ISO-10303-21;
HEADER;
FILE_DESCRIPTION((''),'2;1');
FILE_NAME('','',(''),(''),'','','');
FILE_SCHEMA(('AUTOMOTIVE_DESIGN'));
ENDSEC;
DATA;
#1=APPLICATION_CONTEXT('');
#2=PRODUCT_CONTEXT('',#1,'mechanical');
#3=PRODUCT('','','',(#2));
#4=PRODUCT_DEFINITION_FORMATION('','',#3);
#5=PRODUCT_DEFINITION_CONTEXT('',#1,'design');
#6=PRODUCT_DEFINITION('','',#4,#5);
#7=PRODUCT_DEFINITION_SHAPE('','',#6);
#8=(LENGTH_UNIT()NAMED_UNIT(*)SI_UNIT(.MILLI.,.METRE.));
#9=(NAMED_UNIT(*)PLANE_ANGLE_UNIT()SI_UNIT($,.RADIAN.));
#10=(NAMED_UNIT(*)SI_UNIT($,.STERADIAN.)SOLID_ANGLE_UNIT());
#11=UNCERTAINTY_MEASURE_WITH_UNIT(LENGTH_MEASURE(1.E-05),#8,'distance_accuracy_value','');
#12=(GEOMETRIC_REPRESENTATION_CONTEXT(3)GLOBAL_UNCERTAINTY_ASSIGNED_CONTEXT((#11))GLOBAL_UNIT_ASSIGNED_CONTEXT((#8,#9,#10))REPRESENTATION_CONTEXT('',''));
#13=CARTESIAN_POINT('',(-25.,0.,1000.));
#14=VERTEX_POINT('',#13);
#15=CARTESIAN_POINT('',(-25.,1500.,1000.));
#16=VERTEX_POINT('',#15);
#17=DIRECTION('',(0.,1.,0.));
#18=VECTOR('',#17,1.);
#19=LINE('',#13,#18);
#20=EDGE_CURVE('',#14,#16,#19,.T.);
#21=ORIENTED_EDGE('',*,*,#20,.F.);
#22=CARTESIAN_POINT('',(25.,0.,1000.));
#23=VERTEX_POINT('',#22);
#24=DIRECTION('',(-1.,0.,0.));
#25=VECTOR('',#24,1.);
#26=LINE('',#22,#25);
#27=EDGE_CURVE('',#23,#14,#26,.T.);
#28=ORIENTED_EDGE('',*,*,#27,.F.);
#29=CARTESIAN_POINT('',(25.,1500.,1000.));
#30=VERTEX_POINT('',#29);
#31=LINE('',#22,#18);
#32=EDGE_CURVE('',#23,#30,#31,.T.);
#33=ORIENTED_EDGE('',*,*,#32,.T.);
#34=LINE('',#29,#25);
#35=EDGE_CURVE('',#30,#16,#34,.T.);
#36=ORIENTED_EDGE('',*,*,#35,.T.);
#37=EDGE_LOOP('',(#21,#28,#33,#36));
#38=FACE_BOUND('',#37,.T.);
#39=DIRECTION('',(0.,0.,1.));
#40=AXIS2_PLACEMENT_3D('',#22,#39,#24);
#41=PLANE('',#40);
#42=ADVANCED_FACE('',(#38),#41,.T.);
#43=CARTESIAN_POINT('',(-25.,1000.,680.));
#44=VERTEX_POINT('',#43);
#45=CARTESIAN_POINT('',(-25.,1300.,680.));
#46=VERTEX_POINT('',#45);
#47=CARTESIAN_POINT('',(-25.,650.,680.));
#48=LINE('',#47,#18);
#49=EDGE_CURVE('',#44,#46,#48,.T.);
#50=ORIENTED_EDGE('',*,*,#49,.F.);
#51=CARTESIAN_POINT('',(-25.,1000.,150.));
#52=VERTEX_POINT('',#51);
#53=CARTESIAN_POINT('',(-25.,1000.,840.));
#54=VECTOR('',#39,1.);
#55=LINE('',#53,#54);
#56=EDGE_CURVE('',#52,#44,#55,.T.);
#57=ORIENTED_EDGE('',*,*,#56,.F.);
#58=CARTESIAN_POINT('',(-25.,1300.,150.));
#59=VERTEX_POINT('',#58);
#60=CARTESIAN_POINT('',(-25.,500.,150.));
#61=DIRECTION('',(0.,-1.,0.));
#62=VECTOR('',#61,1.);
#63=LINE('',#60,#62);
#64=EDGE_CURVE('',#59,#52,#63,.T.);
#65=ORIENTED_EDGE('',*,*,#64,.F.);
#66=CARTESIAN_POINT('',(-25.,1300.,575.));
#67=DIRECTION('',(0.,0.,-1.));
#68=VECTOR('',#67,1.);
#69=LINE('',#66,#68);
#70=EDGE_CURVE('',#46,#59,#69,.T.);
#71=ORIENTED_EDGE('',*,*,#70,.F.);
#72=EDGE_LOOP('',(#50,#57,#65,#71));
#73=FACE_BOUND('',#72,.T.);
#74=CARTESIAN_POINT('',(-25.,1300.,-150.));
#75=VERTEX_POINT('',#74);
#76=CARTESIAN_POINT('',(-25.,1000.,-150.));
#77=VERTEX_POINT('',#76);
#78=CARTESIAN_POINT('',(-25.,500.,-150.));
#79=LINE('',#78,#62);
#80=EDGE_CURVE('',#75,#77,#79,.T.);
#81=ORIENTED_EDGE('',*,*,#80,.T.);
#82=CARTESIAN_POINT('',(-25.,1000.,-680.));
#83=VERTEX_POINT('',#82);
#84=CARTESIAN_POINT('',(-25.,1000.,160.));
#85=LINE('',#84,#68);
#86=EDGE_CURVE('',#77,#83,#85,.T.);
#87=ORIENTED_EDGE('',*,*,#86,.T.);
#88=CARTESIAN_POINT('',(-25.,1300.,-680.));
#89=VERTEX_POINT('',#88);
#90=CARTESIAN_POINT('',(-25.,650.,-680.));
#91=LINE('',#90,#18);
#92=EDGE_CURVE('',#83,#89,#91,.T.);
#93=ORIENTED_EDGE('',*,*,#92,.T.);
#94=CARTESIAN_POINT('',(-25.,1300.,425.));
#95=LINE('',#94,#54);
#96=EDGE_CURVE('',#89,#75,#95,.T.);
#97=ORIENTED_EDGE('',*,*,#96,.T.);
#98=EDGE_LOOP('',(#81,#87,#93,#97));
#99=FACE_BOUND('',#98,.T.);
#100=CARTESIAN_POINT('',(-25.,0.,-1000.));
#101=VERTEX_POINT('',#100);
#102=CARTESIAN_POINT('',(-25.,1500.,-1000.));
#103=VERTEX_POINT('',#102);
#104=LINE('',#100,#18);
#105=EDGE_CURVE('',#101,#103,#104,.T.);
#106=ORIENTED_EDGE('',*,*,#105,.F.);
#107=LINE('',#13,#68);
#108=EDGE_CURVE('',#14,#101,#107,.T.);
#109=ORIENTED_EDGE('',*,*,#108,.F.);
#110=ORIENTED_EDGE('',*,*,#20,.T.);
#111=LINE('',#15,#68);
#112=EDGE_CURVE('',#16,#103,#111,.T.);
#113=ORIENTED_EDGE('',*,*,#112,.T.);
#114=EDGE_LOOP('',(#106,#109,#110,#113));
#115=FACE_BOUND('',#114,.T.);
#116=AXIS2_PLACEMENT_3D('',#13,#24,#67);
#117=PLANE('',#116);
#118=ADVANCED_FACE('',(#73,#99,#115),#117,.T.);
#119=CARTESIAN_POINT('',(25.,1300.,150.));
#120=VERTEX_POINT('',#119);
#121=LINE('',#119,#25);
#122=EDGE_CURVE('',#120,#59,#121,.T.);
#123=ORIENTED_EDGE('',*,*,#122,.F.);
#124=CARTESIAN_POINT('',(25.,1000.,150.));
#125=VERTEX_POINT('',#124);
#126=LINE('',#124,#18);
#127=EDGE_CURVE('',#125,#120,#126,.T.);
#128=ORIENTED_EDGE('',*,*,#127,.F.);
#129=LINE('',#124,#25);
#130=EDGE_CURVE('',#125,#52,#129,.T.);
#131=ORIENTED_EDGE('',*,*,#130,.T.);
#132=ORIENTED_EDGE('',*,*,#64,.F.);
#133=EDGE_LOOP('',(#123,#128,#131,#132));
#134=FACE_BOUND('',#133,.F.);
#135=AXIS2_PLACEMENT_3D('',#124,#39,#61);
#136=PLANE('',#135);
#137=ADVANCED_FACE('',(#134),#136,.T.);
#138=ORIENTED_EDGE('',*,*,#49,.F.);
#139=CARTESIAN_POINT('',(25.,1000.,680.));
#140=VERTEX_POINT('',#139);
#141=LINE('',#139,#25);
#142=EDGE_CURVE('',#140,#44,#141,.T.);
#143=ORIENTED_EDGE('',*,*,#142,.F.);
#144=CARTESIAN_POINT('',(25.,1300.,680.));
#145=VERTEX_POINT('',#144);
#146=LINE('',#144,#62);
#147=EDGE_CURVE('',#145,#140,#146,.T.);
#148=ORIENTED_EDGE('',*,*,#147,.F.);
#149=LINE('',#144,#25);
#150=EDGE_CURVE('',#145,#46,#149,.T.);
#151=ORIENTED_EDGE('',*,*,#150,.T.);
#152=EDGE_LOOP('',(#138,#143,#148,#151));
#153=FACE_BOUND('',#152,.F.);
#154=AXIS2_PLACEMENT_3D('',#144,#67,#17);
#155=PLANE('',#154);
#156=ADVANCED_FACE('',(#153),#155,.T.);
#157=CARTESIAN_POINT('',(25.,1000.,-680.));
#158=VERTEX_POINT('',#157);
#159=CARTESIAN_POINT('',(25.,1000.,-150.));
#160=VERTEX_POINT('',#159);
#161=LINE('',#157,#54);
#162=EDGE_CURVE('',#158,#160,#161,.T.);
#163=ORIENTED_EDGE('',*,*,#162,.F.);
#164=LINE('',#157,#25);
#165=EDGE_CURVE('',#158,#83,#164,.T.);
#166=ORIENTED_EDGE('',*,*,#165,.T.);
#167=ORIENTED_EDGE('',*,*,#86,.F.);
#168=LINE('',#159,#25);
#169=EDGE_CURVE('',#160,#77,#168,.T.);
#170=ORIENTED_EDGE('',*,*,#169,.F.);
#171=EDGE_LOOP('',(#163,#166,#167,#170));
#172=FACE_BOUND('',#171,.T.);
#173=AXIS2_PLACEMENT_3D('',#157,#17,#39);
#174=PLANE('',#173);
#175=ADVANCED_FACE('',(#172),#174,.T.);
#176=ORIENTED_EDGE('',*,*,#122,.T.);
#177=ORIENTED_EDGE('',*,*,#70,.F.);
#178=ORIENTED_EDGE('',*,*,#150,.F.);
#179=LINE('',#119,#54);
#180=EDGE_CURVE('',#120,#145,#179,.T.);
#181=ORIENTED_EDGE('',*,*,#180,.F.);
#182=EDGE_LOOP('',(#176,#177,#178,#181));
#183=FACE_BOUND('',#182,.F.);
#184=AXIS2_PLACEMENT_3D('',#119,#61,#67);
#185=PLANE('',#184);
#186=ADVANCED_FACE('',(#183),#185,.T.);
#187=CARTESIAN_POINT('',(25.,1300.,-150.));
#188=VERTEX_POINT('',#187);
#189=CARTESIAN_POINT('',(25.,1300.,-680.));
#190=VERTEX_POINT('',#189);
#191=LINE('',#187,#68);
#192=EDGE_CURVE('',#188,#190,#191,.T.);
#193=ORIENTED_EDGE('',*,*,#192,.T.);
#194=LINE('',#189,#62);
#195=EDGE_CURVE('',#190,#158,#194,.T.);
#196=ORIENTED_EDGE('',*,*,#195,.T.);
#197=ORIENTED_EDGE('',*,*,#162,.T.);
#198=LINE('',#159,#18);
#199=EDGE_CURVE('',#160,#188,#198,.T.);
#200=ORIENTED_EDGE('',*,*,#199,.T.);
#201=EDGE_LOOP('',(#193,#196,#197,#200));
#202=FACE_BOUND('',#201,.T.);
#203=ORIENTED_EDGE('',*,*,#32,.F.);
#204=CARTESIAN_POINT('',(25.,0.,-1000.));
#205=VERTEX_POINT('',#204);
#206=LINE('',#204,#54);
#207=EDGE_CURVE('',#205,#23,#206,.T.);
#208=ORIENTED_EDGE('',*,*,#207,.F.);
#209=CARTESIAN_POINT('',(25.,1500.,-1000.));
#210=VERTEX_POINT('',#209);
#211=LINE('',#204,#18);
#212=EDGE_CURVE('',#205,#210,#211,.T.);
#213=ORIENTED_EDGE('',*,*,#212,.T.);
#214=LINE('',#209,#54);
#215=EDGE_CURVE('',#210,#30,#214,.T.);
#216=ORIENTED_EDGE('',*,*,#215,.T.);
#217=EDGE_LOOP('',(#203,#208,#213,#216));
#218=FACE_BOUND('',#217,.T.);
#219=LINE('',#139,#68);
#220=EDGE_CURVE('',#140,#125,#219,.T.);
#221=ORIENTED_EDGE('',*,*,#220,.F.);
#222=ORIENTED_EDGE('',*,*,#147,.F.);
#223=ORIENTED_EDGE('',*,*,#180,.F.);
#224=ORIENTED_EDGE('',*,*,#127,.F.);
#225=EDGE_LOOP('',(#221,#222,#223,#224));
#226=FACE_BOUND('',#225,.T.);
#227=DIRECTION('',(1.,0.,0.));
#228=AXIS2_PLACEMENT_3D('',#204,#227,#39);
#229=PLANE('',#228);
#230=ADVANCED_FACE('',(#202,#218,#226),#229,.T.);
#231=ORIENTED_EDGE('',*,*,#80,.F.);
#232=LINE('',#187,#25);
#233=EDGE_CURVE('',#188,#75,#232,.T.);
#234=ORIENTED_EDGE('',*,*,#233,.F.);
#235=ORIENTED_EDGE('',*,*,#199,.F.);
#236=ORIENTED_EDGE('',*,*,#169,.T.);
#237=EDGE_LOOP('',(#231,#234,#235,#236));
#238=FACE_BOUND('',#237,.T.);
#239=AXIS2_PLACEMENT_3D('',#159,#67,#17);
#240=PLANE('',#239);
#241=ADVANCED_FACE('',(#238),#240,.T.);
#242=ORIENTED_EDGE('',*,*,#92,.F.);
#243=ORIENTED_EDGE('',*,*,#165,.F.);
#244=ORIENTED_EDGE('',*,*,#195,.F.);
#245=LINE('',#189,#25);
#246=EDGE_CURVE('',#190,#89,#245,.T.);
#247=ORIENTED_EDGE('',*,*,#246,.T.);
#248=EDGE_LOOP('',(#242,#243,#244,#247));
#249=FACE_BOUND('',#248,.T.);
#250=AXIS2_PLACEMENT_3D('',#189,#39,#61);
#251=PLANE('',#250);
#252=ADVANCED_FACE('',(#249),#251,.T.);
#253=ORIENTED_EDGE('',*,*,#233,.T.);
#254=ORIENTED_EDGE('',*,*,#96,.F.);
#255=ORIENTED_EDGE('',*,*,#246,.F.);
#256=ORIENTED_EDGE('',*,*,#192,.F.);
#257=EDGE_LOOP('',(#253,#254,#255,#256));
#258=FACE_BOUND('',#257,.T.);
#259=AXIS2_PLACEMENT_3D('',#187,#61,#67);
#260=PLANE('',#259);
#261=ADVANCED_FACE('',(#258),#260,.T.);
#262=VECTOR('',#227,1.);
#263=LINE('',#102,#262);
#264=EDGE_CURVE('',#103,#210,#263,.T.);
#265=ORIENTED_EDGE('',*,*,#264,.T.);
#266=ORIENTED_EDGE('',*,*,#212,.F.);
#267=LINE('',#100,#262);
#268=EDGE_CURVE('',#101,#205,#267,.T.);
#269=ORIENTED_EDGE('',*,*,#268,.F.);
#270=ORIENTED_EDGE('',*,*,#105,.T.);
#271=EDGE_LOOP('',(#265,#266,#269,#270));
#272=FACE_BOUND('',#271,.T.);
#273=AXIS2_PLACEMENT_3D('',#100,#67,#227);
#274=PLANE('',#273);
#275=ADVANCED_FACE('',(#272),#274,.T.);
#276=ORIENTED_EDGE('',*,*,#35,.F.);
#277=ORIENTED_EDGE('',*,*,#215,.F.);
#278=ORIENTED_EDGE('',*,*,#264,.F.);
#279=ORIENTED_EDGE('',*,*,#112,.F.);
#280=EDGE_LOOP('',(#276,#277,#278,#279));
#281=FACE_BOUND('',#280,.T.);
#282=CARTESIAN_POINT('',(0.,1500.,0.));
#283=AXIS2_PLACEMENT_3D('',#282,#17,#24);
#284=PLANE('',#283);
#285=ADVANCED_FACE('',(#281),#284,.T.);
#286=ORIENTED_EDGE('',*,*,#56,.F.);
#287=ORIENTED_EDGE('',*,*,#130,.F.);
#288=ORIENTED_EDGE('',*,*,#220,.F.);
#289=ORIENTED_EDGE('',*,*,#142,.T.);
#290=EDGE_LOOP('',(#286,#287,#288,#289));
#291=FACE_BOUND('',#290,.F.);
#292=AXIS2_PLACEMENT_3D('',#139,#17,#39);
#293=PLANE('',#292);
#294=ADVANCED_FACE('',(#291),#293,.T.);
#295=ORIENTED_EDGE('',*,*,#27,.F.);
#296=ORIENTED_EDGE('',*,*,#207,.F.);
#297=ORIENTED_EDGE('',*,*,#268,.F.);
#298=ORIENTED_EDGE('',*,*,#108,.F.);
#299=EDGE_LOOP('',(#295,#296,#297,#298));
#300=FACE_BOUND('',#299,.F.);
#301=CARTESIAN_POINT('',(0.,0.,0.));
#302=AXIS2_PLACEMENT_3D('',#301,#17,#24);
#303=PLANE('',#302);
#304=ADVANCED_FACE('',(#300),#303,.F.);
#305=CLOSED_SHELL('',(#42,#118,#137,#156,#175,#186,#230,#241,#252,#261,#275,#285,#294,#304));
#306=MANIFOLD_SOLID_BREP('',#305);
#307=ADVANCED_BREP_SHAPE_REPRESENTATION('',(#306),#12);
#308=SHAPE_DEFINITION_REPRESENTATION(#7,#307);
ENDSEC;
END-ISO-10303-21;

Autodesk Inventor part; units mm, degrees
ref_plane "YZ Plane" through (0, 0, 0) normal (1, 0, 0) x (0, 1, 0)
ref_plane "XZ Plane" through (0, 0, 0) normal (0, 1, 0) x (-1, 0, 0)
ref_plane "XY Plane" through (0, 0, 0) normal (0, 0, 1) x (1, 0, 0)
sketch "Sketch1" plane through (0, 0, 0) normal (0, 1, 0) x (-1, 0, 0)
  line L0 (-25, 1000) -> (25, 1000)
  line L1 (25, 1000) -> (25, -1000)
  line L2 (25, -1000) -> (-25, -1000)
  line L3 (-25, -1000) -> (-25, 1000)
  line L4 (-25, 1000) -> (25, -1000) construction
  line L5 (25, 1000) -> (-25, -1000) construction
  point P0 (0, 0)
  dimension "d0" = 50
  dimension "d1" = 2000
extrude "Extrusion1" add sketch "Sketch1" along normal blind 1500
sketch "Sketch2" plane through (25, 0, 1000) normal (1, 0, 0) x (0, 0, -1)
  line L0 (2000, 1500) -> (0, 1500) projected
  line L1 (1000, 1500) -> (1000, 0)
sketch "Sketch3" plane through (25, 0, 1000) normal (1, 0, 0) x (0, 0, -1)
  line L0 (1150, 1300) -> (1680, 1300)
  line L1 (1680, 1300) -> (1680, 1000)
  line L2 (1680, 1000) -> (1150, 1000)
  line L3 (1150, 1000) -> (1150, 1300)
  line L4 (2000, 0) -> (2000, 1500) projected
  line L5 (1000, 1500) -> (1000, 0) projected
  line L6 (0, 0) -> (2000, 0) projected
  dimension "d4" = 530
  dimension "d5" = 300
  dimension "d6" = 320
  dimension "d7" = 150
  dimension "d8" = 1000
extrude "Extrusion2" cut sketch "Sketch3" against normal through all
ref_plane "Work Plane1" through (-25, 0, 0) normal (0, 0, 1) x (1, 0, 0)
mirror "Mirror1" about plane through (-25, 0, 0) normal (0, 0, 1) of "Extrusion2"
properties part number "LCD PANEL"
